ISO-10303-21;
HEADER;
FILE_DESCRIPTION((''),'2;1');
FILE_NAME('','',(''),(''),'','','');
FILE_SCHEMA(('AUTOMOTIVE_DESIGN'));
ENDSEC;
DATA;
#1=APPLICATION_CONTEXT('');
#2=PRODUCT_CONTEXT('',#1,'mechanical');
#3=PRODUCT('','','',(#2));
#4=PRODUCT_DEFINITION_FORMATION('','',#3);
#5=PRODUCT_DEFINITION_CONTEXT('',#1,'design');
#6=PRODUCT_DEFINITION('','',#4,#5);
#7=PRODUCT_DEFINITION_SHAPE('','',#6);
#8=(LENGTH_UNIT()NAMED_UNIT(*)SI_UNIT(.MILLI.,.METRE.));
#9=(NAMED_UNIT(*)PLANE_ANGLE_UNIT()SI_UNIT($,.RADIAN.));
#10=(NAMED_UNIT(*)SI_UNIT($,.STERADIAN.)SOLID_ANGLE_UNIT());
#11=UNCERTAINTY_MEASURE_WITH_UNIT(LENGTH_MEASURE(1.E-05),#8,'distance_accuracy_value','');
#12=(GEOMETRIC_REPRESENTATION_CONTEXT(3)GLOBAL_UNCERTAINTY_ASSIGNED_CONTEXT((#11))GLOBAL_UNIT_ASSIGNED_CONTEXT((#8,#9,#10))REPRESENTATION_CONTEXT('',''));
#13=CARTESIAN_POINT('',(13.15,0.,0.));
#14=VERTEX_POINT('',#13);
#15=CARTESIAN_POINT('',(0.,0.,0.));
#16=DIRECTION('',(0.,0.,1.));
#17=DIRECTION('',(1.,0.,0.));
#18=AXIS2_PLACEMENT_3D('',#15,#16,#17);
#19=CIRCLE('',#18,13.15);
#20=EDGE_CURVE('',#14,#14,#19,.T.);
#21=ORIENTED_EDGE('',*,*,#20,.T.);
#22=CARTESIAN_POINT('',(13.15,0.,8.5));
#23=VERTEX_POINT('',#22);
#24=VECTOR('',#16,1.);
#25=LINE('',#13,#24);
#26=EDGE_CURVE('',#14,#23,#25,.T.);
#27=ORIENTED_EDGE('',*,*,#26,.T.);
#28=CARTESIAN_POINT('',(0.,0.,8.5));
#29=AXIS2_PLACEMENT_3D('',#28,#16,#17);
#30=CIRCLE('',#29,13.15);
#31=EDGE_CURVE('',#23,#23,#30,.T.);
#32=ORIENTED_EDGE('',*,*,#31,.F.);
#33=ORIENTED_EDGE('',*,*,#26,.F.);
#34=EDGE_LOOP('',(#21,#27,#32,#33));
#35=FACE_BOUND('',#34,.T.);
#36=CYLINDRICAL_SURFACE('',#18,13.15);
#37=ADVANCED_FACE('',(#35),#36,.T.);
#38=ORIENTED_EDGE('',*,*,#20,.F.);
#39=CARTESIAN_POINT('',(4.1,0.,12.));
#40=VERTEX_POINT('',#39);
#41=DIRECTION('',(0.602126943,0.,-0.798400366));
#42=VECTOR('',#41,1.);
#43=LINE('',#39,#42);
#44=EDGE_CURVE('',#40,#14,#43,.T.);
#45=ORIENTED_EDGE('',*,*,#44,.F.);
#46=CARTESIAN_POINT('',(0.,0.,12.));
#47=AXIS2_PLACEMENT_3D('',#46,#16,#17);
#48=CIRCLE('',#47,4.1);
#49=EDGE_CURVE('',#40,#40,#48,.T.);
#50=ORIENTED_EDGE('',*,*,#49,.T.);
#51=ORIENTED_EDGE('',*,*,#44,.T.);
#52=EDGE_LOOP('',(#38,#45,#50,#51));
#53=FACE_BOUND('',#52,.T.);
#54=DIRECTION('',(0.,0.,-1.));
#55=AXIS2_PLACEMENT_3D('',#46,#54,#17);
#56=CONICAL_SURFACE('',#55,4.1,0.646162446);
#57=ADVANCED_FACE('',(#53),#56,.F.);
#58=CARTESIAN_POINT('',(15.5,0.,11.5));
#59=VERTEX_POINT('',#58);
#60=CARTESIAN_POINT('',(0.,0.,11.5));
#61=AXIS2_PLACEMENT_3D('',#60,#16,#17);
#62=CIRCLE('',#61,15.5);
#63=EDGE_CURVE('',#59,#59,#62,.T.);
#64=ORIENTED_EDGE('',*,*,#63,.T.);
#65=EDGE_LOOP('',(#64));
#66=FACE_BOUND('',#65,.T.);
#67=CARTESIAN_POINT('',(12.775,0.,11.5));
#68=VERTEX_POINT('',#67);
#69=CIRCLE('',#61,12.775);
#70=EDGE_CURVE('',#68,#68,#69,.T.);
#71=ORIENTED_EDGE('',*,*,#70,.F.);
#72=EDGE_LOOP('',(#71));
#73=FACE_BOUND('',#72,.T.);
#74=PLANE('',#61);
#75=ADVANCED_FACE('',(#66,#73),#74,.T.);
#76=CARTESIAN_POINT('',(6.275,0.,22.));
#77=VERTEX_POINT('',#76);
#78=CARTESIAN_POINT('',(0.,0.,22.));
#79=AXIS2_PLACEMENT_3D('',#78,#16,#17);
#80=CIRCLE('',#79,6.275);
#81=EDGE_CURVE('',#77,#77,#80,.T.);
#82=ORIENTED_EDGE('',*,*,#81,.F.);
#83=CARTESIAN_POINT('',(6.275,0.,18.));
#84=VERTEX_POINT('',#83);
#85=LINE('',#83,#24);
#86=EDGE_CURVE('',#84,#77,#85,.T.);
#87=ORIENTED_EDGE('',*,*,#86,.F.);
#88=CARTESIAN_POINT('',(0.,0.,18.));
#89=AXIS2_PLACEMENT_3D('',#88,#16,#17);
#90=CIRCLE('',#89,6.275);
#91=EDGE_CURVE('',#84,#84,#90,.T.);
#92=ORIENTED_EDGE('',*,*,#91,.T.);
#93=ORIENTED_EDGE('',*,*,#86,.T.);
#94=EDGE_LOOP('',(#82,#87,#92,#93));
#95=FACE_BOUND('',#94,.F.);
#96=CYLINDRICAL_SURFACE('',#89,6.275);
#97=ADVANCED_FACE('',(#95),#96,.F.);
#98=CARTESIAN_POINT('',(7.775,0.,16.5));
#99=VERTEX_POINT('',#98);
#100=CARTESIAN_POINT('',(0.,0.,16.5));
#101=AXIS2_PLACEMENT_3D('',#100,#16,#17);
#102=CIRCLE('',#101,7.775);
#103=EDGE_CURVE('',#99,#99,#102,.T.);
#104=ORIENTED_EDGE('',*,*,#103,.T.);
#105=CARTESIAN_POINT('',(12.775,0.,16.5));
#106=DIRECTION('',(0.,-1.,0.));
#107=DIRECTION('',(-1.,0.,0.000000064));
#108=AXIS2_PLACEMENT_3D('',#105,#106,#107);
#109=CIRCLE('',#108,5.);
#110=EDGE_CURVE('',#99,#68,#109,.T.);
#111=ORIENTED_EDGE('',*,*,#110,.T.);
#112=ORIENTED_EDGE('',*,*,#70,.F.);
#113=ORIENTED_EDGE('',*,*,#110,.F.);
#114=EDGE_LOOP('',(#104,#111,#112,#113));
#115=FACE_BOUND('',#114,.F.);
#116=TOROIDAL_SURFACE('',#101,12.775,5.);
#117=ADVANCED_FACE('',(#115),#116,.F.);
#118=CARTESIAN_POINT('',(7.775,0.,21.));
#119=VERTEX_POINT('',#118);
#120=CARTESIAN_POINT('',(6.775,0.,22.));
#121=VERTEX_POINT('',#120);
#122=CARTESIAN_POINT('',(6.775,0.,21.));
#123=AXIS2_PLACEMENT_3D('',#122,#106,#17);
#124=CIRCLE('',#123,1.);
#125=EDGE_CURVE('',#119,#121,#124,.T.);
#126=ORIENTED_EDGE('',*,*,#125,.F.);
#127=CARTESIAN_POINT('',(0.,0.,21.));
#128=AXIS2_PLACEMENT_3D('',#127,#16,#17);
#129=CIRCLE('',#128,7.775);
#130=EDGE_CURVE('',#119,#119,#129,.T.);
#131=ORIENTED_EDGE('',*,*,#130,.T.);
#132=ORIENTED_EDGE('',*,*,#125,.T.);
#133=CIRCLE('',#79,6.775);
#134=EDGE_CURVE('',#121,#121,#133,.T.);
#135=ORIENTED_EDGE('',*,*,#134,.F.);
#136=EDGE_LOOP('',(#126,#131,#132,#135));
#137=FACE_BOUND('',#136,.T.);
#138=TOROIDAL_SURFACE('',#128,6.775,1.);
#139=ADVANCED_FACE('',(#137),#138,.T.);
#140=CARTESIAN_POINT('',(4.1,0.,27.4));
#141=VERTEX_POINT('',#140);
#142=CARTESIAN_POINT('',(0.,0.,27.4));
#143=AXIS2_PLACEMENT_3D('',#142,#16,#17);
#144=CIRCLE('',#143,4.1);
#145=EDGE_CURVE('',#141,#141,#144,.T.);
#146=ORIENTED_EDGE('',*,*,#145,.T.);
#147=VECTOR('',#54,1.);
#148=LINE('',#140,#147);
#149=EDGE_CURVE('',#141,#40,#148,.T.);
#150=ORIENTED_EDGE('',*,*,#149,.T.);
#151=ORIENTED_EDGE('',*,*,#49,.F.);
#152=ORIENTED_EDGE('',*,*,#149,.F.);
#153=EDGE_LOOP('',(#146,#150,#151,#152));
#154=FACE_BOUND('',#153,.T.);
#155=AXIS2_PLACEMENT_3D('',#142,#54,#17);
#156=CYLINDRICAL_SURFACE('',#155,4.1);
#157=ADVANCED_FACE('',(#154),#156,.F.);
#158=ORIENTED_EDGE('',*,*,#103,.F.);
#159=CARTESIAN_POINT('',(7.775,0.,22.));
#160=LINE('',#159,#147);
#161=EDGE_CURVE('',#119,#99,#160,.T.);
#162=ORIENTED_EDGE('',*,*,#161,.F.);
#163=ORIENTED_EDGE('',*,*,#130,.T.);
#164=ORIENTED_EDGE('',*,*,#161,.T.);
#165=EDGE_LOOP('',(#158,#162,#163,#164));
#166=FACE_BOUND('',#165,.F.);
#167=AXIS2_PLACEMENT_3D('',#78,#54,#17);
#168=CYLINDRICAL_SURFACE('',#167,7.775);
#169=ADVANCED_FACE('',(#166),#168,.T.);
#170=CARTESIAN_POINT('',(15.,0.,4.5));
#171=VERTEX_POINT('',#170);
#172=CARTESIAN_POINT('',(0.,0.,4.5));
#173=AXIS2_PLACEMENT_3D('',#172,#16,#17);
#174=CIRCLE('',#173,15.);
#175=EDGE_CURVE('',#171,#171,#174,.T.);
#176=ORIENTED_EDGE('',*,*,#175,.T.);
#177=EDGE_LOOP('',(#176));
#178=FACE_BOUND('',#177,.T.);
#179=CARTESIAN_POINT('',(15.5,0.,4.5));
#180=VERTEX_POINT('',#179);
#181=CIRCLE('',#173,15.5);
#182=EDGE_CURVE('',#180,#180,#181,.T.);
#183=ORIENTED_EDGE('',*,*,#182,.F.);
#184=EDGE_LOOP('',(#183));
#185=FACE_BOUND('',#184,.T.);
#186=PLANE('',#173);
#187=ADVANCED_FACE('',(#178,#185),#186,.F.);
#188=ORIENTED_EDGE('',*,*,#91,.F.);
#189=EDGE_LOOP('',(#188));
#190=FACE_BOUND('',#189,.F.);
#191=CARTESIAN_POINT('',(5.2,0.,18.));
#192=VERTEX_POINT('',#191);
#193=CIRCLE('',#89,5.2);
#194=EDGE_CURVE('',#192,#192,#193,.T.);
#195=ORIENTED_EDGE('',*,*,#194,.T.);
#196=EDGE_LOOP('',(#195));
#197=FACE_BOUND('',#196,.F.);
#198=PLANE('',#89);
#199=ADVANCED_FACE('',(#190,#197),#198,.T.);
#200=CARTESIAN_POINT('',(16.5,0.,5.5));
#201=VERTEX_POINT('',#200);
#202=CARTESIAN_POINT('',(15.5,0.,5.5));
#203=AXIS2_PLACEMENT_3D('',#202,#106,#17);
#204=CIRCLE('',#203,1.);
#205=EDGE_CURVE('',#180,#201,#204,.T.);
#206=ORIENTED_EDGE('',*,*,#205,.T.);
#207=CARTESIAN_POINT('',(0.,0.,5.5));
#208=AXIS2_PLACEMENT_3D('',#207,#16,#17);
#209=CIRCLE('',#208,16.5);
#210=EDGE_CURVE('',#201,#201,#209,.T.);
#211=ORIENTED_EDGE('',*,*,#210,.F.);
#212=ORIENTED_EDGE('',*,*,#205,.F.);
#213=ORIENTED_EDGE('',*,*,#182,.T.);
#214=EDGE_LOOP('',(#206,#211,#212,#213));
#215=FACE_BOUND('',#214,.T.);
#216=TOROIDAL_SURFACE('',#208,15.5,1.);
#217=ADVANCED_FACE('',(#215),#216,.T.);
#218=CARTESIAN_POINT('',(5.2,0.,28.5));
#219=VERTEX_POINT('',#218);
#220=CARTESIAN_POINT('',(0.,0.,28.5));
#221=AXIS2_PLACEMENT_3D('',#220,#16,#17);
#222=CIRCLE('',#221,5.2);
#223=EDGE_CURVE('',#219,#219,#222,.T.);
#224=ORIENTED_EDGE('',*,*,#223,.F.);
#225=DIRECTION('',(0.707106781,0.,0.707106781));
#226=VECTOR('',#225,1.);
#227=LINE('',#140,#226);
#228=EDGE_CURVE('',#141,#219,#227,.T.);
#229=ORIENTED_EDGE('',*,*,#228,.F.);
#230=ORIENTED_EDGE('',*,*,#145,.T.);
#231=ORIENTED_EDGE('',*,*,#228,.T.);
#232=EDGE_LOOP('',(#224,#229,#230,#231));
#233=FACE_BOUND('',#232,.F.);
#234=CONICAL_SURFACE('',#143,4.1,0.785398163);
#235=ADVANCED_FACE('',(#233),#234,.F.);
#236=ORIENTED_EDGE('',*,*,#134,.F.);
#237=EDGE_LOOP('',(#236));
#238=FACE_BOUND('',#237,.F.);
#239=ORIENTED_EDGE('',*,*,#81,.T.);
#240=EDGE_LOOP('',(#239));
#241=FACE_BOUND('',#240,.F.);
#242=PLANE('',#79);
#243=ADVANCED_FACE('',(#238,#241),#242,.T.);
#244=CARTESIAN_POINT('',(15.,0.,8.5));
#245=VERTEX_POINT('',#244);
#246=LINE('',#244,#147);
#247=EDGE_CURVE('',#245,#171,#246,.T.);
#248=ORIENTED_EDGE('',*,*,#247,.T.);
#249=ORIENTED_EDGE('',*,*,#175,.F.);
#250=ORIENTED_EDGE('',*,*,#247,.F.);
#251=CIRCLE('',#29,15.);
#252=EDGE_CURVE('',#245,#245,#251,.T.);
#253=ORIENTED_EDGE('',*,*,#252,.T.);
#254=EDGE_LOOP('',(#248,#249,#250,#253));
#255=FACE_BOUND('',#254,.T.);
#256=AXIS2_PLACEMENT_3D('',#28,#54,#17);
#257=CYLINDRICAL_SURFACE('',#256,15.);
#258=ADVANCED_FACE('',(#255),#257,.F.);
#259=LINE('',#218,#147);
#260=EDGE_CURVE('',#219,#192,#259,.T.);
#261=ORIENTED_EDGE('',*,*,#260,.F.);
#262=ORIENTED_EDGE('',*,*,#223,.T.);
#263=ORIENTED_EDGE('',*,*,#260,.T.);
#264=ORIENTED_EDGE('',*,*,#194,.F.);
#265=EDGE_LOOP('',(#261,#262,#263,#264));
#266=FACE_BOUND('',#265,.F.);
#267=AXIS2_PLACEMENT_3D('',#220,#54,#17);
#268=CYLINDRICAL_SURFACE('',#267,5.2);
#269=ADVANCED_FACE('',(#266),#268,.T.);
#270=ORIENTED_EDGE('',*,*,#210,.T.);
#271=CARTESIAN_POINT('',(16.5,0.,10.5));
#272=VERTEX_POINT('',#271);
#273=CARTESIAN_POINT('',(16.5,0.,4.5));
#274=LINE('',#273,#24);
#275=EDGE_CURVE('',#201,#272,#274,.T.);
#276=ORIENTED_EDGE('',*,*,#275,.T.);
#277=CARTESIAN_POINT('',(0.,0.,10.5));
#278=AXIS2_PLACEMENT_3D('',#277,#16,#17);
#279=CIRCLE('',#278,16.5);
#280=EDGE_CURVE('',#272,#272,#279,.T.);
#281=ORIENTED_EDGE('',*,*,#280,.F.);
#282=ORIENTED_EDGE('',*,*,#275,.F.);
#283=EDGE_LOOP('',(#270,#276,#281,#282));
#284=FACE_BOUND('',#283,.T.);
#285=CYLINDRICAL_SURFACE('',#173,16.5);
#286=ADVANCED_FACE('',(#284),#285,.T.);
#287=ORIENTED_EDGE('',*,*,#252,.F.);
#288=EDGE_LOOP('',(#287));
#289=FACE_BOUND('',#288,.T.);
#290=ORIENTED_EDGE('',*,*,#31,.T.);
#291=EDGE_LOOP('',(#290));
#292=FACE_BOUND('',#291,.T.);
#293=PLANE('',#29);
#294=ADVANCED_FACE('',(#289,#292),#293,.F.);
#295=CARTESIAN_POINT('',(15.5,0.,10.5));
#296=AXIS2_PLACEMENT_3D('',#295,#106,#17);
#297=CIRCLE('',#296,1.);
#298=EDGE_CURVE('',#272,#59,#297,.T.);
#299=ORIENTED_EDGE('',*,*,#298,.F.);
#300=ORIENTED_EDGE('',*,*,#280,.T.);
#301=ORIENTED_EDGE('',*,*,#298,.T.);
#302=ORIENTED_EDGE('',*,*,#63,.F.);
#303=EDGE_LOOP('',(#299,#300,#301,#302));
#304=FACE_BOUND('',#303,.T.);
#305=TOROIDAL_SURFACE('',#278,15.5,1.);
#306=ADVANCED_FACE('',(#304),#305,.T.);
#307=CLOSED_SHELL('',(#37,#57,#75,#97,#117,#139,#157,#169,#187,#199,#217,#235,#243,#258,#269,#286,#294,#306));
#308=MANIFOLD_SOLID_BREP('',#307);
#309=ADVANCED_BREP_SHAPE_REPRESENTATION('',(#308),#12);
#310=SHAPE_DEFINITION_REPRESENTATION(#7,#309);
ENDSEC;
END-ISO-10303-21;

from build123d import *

# Parameters (mm, degrees)
FILLET_R    = 1
FILLET001_R = 1
FILLET002_R = 1


with BuildPart() as part:
    # Sketch → Revolution (revolve)
    with BuildSketch(Plane.XZ):
        with BuildLine():
            Line((4.1, 27.4), (4.1, 12))
            Line((4.1, 12), (13.15, 0))
            Line((13.15, 0), (13.15, 8.5))
            Line((13.15, 8.5), (15, 8.5))
            Line((15, 8.5), (15, 4.5))
            Line((15, 4.5), (16.5, 4.5))
            Line((16.5, 4.5), (16.5, 11.5))
            Line((16.5, 11.5), (12.775, 11.5))
            ThreePointArc((7.775, 16.5), (9.239466, 12.964466), (12.775, 11.5))
            Line((7.775, 22), (7.775, 16.5))
            Line((6.275, 22), (7.775, 22))
            Line((6.275, 18), (6.275, 22))
            Line((5.2, 18), (6.275, 18))
            Line((5.2, 28.5), (5.2, 18))
            Line((4.1, 27.4), (5.2, 28.5))
        make_face()
    revolve(axis=Axis((0, 0, 0), (0, 0, 1)))

    # Fillet
    fillet_edges = [part.edges().sort_by_distance(p)[0] for p in [
        (-16.5, 0, 4.5),
    ]]
    fillet(fillet_edges, radius=FILLET_R)

    # Fillet001
    fillet001_edges = [part.edges().sort_by_distance(p)[0] for p in [
        (-16.5, 0, 11.5),
    ]]
    fillet(fillet001_edges, radius=FILLET001_R)

    # Fillet002
    fillet002_edges = [part.edges().sort_by_distance(p)[0] for p in [
        (-7.775, 0, 22),
    ]]
    fillet(fillet002_edges, radius=FILLET002_R)


solid = part.part
